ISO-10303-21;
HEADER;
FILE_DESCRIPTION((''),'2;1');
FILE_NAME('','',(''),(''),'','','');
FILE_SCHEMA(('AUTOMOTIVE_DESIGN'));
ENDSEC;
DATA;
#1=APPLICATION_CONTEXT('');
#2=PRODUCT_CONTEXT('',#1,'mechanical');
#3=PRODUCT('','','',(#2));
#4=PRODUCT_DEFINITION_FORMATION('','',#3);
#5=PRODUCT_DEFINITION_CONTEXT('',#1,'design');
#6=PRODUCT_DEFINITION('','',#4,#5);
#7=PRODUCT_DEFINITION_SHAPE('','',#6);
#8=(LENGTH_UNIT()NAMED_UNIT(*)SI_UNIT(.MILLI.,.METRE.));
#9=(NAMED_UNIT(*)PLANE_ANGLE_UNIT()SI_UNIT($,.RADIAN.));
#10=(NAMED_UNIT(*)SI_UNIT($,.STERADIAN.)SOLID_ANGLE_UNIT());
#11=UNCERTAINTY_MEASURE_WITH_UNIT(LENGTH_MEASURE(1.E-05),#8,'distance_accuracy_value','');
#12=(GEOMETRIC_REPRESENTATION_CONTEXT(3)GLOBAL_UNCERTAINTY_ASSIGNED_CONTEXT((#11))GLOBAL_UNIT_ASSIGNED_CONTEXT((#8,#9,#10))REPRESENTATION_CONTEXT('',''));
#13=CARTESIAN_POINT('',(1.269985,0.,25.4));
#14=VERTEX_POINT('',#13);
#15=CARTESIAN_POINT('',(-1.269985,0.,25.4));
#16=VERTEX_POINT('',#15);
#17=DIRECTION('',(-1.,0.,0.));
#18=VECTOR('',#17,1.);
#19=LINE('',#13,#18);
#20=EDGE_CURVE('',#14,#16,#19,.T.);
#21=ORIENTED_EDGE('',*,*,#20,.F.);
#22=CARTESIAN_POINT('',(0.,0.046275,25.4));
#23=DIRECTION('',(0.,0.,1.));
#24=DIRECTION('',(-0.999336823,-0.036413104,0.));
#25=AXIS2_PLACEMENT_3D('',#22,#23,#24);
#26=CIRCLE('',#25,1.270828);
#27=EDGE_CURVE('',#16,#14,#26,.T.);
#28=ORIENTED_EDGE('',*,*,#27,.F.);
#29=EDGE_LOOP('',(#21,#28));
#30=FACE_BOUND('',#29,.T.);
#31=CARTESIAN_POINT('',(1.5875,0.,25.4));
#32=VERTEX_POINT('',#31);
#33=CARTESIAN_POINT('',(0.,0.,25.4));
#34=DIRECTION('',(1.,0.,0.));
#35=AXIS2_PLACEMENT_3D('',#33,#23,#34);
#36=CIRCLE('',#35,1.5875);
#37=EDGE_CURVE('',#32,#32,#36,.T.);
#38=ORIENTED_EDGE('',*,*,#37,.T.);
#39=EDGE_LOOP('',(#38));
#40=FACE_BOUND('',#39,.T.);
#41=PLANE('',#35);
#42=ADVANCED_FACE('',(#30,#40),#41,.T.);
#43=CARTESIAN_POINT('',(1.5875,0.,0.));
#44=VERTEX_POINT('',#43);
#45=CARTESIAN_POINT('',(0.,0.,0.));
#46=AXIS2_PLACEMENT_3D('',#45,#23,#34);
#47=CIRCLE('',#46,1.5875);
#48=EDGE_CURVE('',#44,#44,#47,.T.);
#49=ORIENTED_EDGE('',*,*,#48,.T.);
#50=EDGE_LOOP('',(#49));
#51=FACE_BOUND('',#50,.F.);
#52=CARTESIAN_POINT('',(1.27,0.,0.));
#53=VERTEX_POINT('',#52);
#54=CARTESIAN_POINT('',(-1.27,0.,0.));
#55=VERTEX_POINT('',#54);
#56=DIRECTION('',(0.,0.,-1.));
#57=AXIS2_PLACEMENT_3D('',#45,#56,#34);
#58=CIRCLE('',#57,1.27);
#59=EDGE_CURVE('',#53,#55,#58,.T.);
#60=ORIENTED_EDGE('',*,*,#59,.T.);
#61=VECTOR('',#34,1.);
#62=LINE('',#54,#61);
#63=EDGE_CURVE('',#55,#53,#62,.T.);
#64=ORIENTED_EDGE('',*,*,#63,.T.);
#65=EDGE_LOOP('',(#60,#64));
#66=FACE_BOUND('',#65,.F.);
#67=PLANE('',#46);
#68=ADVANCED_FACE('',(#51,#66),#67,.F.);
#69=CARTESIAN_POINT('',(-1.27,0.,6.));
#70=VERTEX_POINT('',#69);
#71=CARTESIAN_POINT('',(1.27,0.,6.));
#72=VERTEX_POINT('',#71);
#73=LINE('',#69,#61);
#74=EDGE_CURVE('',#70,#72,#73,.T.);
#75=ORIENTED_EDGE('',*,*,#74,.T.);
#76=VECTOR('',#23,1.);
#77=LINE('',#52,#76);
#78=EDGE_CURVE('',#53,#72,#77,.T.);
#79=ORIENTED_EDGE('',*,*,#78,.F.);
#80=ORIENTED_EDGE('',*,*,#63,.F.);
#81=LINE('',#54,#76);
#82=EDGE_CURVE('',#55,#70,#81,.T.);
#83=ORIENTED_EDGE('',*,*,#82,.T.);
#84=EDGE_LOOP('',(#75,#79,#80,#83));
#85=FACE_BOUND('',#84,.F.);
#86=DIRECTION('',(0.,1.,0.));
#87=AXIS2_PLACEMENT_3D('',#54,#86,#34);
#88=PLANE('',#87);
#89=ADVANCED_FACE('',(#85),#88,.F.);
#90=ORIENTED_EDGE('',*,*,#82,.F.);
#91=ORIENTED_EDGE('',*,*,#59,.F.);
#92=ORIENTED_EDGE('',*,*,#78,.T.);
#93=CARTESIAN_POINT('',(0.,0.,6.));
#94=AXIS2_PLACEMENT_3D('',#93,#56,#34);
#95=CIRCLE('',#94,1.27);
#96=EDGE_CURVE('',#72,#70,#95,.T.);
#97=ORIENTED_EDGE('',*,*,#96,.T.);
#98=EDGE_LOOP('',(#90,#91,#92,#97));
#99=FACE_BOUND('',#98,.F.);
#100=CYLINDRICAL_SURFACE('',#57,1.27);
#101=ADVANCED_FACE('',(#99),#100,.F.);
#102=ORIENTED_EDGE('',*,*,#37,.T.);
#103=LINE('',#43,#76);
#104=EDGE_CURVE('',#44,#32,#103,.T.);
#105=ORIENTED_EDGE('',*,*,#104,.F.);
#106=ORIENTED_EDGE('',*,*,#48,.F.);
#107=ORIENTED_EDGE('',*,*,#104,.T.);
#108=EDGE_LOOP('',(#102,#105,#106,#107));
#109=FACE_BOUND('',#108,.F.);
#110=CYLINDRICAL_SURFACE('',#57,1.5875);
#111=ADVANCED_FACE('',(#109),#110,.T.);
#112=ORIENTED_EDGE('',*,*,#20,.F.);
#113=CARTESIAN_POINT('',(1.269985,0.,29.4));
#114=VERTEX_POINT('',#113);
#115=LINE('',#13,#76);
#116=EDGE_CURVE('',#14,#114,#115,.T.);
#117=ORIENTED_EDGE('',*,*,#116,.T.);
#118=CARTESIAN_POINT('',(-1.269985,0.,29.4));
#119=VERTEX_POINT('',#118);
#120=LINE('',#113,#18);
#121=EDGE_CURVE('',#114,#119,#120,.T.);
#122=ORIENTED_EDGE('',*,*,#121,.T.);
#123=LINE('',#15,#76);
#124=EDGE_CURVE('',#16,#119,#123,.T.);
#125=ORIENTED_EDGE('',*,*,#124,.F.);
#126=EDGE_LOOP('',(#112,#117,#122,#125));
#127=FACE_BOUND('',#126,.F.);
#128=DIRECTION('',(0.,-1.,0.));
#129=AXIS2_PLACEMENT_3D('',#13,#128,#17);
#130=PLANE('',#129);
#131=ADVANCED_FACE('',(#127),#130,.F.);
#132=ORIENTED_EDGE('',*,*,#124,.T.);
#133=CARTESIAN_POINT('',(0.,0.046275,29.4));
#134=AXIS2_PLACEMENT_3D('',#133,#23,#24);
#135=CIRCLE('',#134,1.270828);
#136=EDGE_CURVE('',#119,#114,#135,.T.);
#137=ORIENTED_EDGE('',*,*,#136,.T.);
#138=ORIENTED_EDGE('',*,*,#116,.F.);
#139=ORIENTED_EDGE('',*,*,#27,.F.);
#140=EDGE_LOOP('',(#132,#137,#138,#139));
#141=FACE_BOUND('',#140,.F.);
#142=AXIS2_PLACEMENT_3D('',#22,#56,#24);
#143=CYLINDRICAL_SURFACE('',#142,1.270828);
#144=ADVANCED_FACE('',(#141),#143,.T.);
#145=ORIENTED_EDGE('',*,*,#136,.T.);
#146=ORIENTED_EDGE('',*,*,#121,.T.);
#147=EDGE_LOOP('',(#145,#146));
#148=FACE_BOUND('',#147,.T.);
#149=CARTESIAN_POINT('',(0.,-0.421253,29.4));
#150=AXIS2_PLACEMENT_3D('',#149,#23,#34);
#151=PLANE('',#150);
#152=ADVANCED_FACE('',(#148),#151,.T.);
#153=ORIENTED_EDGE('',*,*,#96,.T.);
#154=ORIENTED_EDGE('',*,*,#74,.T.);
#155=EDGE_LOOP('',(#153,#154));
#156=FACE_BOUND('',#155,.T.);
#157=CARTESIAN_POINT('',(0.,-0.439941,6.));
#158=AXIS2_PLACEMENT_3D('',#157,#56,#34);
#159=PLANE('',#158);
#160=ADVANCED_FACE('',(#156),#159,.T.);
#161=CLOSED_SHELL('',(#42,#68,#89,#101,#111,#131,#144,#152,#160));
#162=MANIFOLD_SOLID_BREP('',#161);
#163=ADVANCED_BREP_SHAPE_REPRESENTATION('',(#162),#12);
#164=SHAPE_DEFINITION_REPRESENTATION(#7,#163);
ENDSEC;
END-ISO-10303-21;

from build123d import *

# Parameters (mm, degrees)
F0_R     = 1.5875
F1_DEPTH = 25.4
F3_DEPTH = 4
F5_DEPTH = 6


with BuildPart() as f1:
    # F0 (on Top) → F1 (new body)
    with BuildSketch(Plane.XY):
        Circle(F0_R)
    extrude(amount=F1_DEPTH)

    # F2 (on face) → F3 (join)
    with BuildSketch(Plane.XY.offset(25.4)):
        with BuildLine():
            ThreePointArc((-1.269985, 0), (0, -1.224553), (1.269985, 0))
            Line((1.269985, 0), (-1.269985, 0))
        make_face()
    extrude(amount=F3_DEPTH)

    # F4 (on face) → F5 (cut)
    with BuildSketch(Plane(origin=(0, 0, 0), x_dir=(1, 0, 0), z_dir=(0, 0, -1))):
        with BuildLine():
            ThreePointArc((1.27, 0), (0, 1.27), (-1.27, 0))
            Line((-1.27, 0), (1.27, 0))
        make_face()
    extrude(amount=-F5_DEPTH, mode=Mode.SUBTRACT)


solid = f1.part
